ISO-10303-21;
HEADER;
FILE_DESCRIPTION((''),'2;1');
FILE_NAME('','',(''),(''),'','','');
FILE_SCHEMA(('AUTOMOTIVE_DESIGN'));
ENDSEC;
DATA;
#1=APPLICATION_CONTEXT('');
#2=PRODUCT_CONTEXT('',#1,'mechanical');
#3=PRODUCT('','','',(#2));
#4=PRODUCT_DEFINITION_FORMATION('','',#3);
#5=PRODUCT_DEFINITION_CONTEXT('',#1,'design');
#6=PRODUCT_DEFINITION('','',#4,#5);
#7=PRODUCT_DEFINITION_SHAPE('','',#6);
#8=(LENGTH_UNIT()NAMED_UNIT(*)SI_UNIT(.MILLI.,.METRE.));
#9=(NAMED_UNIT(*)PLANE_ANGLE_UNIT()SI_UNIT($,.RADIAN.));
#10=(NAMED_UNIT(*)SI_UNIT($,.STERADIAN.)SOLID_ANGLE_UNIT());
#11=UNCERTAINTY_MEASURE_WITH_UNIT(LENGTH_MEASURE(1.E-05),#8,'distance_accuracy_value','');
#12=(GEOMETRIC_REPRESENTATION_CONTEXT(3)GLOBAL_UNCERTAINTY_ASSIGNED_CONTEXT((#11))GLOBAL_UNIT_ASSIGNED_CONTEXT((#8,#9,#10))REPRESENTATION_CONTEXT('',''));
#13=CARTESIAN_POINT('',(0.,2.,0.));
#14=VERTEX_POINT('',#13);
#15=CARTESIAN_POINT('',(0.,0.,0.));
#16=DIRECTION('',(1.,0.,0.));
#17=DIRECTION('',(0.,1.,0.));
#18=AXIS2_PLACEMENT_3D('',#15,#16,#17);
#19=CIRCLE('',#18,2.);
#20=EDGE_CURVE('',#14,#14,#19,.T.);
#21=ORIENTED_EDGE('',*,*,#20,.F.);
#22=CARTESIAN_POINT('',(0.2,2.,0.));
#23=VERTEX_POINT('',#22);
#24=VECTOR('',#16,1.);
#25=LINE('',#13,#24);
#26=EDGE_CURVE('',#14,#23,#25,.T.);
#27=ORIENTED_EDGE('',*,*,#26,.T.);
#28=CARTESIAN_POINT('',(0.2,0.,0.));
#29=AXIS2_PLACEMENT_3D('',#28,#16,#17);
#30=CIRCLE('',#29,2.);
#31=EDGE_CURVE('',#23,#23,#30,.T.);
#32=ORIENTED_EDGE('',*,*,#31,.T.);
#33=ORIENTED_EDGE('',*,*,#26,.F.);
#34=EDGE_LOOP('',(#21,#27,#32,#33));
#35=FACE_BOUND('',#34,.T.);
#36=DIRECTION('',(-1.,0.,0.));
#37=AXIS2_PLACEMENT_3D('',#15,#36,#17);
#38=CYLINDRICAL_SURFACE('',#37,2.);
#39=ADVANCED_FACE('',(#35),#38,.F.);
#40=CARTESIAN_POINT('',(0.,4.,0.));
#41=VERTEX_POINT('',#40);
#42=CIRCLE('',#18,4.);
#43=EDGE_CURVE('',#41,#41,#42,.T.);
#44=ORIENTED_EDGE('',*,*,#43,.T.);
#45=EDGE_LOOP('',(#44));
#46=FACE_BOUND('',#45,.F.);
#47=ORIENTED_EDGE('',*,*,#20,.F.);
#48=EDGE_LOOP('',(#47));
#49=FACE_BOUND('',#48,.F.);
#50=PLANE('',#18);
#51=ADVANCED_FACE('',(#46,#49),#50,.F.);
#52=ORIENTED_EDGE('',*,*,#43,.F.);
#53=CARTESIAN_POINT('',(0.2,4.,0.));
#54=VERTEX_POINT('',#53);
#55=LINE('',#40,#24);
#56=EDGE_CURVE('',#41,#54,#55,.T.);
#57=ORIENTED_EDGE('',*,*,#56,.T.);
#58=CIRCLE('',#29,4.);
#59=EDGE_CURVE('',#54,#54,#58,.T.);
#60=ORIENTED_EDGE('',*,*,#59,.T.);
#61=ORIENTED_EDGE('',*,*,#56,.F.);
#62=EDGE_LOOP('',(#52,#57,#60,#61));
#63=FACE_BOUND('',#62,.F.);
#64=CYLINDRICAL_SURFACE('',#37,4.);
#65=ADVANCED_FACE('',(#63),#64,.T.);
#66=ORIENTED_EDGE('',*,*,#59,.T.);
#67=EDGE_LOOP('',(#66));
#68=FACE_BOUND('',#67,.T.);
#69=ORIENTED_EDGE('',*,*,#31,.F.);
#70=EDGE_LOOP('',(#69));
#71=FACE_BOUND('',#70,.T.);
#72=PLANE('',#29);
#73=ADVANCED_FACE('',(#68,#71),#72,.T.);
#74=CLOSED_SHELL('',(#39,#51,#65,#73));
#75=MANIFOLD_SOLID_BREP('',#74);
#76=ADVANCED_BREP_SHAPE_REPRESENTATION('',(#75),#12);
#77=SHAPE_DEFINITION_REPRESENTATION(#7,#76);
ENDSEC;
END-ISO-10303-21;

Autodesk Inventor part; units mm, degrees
ref_plane "YZ Plane" through (0, 0, 0) normal (1, 0, 0) x (0, 1, 0)
ref_plane "XZ Plane" through (0, 0, 0) normal (0, 1, 0) x (-1, 0, 0)
ref_plane "XY Plane" through (0, 0, 0) normal (0, 0, 1) x (1, 0, 0)
sketch "Sketch1" plane through (0, 0, 0) normal (1, 0, 0) x (0, 1, 0)
  circle A0 centre (0, 0) radius 2
  circle A1 centre (0, 0) radius 4
  dimension "d0" = 4
  dimension "d1" = 8
extrude "Extrusion1" add sketch "Sketch1" along normal blind 0.2
properties part number "cellSTORM_fluidchamber_ring_v0"
